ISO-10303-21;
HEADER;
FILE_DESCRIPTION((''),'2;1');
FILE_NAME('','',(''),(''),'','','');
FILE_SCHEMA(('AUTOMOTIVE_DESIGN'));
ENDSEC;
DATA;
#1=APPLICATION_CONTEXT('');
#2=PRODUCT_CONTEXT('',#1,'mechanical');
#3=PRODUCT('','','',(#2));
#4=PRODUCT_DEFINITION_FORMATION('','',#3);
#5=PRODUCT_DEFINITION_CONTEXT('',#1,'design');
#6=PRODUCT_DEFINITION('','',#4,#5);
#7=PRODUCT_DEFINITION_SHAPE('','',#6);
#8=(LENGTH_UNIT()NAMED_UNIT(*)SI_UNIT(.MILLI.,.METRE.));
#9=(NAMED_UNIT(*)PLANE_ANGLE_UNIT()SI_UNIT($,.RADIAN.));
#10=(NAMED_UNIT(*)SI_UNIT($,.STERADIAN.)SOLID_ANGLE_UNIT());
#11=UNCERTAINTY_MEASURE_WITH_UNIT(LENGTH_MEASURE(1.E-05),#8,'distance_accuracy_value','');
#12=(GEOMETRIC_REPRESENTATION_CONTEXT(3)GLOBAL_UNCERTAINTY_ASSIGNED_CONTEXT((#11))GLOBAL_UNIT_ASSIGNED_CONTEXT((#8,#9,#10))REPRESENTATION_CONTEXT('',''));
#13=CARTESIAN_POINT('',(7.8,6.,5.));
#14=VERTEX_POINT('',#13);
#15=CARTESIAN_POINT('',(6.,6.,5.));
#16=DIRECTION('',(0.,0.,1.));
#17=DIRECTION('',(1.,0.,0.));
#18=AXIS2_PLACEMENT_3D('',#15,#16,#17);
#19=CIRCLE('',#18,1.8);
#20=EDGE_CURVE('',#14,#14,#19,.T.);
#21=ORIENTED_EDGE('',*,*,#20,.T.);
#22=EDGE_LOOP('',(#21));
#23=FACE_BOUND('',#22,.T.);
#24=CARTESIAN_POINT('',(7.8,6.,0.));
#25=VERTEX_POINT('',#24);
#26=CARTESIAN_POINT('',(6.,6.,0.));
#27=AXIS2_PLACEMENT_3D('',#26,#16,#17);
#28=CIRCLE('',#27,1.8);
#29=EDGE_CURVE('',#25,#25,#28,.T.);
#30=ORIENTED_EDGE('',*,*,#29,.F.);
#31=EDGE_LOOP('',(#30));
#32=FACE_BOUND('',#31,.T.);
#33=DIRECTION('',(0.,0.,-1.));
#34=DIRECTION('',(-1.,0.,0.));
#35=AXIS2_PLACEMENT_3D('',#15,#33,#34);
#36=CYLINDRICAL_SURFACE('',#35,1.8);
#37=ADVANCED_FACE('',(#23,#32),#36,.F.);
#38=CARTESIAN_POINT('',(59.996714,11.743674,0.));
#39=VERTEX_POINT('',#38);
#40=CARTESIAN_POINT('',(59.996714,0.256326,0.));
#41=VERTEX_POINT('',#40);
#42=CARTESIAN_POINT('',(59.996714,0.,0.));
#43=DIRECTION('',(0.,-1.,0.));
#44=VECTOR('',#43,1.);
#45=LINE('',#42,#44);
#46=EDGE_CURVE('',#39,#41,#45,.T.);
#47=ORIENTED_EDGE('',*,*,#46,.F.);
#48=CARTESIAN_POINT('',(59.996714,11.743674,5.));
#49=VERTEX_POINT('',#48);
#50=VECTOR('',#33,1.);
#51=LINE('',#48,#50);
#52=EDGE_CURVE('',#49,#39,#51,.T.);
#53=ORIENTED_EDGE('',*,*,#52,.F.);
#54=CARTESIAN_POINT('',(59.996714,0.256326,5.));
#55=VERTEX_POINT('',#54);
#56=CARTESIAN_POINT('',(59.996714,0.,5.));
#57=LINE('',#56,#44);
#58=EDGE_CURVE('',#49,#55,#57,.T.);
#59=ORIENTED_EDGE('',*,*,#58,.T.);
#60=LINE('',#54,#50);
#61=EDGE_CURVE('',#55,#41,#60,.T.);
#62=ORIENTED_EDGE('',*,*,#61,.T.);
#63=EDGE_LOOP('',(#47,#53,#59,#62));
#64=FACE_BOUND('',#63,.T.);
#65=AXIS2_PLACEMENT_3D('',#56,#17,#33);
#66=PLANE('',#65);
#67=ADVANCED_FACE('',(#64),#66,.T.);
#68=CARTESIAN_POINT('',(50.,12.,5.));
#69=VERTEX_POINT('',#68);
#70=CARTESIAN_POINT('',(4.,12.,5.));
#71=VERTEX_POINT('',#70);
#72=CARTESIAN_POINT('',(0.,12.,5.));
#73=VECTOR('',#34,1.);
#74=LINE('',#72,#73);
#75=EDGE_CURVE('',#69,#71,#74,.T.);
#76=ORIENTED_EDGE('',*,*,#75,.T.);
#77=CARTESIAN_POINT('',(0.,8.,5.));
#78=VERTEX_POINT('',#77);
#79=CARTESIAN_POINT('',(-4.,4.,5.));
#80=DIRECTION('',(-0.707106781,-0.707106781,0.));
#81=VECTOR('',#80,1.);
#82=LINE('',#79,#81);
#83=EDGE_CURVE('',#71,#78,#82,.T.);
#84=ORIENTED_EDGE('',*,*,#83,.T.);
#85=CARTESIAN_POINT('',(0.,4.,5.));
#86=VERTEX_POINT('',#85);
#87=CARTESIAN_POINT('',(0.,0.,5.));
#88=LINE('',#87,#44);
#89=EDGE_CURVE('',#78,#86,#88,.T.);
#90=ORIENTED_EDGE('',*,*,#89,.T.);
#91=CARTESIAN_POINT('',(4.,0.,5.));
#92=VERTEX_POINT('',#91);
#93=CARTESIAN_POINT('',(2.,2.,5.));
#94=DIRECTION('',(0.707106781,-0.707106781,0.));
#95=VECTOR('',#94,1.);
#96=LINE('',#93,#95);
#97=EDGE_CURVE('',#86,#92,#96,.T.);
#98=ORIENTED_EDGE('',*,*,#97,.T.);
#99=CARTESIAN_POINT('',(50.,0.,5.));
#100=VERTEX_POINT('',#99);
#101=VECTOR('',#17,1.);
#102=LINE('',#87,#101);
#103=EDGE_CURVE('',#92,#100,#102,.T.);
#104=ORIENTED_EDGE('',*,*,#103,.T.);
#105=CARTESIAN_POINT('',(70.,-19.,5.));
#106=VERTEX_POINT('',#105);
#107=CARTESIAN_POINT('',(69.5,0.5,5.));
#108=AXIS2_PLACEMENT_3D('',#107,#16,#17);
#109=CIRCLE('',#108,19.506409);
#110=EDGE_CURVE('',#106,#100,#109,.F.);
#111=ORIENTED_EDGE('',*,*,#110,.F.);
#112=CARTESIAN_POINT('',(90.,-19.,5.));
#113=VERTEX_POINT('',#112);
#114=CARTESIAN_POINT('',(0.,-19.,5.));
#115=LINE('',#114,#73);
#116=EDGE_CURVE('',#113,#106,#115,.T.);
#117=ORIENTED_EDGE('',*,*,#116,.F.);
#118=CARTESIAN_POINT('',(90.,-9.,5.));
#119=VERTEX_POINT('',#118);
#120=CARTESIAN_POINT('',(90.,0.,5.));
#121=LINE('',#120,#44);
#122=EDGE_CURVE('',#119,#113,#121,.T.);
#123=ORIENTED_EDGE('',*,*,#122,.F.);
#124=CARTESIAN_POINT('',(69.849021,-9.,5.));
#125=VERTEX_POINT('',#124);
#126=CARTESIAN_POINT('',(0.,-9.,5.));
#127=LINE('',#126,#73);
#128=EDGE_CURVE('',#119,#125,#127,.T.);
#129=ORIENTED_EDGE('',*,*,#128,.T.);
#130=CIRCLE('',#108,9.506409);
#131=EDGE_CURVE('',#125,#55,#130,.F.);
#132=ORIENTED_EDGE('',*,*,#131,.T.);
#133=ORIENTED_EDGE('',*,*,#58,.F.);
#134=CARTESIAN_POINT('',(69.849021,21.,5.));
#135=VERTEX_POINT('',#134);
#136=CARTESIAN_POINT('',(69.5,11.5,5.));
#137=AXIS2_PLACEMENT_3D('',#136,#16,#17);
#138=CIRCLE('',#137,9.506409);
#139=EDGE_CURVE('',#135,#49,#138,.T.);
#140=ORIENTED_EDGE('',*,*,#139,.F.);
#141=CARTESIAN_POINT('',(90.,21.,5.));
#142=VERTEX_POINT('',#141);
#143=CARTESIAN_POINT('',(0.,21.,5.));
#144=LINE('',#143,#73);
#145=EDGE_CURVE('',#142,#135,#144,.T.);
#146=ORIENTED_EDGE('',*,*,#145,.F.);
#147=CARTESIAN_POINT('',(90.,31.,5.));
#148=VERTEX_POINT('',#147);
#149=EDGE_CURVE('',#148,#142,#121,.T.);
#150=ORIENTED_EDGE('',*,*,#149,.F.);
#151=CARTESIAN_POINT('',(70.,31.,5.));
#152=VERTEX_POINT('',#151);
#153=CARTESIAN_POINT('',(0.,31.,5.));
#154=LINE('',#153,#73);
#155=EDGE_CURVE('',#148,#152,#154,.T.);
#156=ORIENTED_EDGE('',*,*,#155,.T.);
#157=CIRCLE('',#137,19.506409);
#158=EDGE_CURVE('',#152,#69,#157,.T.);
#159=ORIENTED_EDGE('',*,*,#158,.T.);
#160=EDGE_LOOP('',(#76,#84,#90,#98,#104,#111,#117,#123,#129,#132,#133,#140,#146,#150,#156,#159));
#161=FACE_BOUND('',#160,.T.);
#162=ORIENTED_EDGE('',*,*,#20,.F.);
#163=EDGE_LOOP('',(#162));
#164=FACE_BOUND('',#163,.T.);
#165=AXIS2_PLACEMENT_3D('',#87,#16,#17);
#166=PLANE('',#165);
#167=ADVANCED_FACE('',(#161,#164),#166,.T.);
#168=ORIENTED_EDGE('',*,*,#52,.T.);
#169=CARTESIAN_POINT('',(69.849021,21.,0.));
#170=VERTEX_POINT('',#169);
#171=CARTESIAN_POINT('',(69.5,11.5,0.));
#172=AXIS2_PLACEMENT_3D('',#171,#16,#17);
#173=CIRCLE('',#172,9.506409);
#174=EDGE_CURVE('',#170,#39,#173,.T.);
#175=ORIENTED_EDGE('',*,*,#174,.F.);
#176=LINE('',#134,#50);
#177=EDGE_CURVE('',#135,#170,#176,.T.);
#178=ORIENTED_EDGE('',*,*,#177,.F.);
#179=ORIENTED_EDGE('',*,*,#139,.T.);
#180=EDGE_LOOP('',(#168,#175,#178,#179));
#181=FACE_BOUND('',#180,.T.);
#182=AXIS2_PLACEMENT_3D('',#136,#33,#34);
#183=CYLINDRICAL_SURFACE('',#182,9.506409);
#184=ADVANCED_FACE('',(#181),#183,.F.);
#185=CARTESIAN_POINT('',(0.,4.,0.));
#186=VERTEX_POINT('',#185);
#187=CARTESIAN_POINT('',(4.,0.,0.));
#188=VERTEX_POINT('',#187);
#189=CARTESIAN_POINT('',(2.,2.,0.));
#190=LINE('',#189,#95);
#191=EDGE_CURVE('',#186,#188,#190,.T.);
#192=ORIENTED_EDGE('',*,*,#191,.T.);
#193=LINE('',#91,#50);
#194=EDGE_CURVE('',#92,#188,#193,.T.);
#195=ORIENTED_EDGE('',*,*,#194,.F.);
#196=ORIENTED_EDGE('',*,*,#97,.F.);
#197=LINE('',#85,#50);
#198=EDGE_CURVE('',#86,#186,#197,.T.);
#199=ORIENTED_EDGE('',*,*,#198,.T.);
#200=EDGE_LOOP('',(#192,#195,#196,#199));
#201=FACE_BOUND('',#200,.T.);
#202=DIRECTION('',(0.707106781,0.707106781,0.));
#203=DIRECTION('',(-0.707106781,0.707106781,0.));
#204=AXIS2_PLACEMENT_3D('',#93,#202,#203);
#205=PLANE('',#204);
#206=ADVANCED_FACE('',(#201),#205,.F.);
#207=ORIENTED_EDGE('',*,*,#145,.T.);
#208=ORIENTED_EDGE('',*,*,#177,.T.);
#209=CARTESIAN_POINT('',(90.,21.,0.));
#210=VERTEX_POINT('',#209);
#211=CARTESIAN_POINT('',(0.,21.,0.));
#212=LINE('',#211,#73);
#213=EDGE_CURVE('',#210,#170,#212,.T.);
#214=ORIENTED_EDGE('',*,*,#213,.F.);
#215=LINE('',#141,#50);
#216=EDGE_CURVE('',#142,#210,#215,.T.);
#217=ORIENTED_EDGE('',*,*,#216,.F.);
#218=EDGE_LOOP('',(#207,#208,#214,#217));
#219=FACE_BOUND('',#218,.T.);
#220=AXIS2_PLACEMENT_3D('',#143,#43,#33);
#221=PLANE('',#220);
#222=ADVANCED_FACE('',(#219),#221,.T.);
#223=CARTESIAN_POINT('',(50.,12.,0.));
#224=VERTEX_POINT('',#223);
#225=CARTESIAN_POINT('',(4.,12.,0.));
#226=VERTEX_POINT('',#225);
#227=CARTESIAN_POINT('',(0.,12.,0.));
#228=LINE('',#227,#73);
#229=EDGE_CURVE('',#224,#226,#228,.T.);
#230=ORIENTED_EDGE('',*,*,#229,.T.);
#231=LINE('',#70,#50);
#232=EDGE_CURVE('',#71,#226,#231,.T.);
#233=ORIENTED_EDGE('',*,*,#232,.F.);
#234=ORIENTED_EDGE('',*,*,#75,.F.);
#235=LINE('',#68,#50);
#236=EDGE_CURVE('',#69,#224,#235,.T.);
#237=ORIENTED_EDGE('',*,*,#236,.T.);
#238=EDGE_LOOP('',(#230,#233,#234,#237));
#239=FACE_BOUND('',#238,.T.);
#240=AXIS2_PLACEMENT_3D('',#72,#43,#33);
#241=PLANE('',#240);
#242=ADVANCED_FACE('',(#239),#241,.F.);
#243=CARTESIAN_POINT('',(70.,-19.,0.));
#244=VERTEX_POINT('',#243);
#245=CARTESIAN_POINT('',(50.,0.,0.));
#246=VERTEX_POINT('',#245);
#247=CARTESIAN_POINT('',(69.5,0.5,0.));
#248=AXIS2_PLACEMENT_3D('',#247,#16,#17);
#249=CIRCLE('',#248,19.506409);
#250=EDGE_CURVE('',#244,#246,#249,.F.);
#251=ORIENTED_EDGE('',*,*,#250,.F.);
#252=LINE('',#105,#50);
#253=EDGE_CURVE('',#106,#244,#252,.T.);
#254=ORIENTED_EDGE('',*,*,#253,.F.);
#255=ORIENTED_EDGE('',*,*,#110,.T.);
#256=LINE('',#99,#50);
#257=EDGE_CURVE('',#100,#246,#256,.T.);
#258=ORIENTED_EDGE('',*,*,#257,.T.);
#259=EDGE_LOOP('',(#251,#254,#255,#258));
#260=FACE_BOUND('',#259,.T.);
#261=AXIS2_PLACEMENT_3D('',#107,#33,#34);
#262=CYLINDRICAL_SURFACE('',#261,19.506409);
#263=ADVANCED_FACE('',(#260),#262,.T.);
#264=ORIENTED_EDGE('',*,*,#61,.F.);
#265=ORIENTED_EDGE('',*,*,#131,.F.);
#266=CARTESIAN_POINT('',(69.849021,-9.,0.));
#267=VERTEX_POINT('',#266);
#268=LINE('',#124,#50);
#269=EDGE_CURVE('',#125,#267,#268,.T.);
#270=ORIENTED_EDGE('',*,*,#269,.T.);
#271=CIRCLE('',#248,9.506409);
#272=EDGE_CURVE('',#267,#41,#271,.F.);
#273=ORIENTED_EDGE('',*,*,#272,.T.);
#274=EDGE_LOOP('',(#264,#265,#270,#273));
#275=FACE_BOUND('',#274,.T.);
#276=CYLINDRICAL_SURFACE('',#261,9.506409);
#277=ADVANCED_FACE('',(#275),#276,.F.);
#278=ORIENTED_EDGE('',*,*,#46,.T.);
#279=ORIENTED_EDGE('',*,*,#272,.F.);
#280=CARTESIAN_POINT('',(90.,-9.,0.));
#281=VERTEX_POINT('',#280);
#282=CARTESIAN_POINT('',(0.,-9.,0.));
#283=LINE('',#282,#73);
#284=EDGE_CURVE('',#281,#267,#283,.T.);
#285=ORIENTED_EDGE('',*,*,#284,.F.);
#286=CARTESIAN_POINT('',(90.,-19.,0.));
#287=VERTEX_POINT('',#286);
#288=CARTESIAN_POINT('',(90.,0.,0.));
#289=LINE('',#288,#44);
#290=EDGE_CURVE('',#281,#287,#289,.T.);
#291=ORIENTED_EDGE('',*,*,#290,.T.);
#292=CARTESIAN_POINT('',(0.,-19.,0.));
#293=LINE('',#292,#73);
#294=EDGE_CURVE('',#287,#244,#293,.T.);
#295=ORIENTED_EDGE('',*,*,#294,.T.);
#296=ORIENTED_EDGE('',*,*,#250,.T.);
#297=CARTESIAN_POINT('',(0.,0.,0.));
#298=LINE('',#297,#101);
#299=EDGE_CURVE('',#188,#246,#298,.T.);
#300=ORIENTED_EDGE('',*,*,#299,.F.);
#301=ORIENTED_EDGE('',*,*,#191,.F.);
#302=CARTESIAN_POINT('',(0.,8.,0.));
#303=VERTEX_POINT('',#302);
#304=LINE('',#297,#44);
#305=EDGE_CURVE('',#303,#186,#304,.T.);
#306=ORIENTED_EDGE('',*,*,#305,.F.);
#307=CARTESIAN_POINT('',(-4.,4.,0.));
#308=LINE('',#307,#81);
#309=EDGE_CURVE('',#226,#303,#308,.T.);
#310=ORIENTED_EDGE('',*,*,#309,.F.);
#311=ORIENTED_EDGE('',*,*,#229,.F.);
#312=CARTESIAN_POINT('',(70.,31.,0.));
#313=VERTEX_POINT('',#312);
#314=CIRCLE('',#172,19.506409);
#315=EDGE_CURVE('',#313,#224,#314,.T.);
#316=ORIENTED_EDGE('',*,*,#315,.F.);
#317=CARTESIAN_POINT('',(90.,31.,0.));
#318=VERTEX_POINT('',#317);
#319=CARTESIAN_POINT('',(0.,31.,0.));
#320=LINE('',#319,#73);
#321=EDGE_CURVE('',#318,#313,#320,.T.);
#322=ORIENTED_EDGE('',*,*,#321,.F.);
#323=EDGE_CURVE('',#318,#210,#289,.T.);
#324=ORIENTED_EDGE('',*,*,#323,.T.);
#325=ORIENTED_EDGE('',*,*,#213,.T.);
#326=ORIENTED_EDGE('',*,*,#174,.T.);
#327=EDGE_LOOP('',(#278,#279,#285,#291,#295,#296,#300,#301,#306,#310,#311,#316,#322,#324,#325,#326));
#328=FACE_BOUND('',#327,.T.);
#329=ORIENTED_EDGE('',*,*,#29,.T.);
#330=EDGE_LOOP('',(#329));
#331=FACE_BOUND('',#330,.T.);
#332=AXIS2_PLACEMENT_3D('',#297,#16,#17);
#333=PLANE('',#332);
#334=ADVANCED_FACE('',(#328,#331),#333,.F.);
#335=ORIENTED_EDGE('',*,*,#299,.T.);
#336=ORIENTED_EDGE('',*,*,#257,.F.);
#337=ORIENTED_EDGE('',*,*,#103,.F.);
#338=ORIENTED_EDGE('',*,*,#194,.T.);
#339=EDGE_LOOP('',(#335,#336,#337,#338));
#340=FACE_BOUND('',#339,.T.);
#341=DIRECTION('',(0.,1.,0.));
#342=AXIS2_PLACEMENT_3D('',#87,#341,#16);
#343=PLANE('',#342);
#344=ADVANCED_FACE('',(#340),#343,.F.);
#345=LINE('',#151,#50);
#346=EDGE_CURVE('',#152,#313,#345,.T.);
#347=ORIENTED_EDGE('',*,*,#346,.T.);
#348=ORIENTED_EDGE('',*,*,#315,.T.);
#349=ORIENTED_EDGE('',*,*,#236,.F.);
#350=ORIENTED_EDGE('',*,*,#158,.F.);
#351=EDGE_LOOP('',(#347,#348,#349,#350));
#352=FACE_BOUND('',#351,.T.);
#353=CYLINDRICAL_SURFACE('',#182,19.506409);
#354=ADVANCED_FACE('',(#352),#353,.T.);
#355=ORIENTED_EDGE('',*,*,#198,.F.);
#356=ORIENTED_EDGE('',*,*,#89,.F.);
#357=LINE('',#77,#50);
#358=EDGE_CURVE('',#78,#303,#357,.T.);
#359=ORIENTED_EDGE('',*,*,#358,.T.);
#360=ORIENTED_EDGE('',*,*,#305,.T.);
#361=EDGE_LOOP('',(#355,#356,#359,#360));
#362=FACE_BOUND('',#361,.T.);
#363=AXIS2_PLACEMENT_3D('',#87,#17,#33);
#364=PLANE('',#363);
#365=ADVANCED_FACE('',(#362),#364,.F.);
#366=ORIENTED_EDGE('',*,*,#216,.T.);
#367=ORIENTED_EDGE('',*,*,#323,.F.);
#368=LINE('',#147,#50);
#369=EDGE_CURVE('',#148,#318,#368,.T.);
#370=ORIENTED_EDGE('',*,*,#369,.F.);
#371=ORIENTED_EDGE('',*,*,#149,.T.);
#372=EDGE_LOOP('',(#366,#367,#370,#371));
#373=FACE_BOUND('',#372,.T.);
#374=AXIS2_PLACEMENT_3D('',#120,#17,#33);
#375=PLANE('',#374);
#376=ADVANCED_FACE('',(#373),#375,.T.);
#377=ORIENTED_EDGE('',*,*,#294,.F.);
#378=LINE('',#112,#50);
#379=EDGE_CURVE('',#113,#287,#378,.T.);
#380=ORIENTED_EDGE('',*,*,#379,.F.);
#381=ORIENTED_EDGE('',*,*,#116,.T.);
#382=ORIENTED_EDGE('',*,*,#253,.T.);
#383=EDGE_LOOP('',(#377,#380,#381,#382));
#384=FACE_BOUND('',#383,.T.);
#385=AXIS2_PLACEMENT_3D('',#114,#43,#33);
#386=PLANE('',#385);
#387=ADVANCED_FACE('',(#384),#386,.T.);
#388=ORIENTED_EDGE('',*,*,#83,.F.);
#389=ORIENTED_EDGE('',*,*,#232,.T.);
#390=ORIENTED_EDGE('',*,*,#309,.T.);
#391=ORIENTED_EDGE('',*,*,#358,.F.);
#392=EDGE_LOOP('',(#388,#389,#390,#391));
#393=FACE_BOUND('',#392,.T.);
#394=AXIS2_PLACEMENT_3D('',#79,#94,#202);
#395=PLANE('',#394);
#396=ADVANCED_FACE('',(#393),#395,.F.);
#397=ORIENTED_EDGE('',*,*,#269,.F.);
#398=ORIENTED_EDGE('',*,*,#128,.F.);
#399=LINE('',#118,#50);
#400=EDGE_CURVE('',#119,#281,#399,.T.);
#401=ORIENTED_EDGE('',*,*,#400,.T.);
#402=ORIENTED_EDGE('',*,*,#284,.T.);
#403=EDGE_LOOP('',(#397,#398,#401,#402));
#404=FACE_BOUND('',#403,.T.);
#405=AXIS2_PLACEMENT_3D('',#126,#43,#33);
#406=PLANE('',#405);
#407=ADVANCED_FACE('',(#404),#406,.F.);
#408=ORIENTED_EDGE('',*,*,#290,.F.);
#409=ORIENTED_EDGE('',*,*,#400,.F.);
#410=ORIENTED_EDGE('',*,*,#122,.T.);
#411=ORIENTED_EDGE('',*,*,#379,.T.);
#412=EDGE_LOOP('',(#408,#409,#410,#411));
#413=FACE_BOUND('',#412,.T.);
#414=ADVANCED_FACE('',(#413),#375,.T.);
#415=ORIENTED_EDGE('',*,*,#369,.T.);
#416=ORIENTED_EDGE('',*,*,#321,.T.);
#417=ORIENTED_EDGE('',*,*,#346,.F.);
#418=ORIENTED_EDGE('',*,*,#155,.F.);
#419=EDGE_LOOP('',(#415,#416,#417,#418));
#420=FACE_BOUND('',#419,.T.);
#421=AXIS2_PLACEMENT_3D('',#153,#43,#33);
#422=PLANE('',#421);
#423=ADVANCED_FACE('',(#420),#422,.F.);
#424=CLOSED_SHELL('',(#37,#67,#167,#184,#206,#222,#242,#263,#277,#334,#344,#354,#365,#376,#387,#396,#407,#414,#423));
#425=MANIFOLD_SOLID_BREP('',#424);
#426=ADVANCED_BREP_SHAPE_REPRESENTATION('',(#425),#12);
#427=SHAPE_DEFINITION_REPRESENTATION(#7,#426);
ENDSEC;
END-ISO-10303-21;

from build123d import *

# Parameters (mm, degrees)
SKETCH1_R           = 1.8
BOSS_EXTRUDE2_DEPTH = 5


with BuildPart() as part:
    # Sketch1 → Boss-Extrude2 (new body)
    with BuildSketch(Plane.XY):
        with BuildLine():
            Line((4, 0), (50, 0))
            ThreePointArc((50, 0), (56.064971157, -13.642135624), (70, -19))
            Line((70, -19), (90, -19))
            Line((90, -19), (90, -9))
            Line((90, -9), (69.8490214, -9))
            ThreePointArc((69.8490214, -9), (62.990773359, -6.428332012), (59.996714309, 0.256326008))
            Line((59.996714309, 0.256326008), (59.996714309, 11.743673992))
            ThreePointArc((59.996714309, 11.743673992), (62.990773359, 18.428332012), (69.8490214, 21))
            Line((69.8490214, 21), (90, 21))
            Line((90, 21), (90, 31))
            Line((90, 31), (70, 31))
            ThreePointArc((70, 31), (56.064971157, 25.642135624), (50, 12))
            Line((50, 12), (4, 12))
            Line((4, 12), (0, 8))
            Line((0, 8), (0, 4))
            Line((0, 4), (4, 0))
        make_face()
        with Locations((6, 6)):
            Circle(SKETCH1_R, mode=Mode.SUBTRACT)
    extrude(amount=BOSS_EXTRUDE2_DEPTH)


solid = part.part
